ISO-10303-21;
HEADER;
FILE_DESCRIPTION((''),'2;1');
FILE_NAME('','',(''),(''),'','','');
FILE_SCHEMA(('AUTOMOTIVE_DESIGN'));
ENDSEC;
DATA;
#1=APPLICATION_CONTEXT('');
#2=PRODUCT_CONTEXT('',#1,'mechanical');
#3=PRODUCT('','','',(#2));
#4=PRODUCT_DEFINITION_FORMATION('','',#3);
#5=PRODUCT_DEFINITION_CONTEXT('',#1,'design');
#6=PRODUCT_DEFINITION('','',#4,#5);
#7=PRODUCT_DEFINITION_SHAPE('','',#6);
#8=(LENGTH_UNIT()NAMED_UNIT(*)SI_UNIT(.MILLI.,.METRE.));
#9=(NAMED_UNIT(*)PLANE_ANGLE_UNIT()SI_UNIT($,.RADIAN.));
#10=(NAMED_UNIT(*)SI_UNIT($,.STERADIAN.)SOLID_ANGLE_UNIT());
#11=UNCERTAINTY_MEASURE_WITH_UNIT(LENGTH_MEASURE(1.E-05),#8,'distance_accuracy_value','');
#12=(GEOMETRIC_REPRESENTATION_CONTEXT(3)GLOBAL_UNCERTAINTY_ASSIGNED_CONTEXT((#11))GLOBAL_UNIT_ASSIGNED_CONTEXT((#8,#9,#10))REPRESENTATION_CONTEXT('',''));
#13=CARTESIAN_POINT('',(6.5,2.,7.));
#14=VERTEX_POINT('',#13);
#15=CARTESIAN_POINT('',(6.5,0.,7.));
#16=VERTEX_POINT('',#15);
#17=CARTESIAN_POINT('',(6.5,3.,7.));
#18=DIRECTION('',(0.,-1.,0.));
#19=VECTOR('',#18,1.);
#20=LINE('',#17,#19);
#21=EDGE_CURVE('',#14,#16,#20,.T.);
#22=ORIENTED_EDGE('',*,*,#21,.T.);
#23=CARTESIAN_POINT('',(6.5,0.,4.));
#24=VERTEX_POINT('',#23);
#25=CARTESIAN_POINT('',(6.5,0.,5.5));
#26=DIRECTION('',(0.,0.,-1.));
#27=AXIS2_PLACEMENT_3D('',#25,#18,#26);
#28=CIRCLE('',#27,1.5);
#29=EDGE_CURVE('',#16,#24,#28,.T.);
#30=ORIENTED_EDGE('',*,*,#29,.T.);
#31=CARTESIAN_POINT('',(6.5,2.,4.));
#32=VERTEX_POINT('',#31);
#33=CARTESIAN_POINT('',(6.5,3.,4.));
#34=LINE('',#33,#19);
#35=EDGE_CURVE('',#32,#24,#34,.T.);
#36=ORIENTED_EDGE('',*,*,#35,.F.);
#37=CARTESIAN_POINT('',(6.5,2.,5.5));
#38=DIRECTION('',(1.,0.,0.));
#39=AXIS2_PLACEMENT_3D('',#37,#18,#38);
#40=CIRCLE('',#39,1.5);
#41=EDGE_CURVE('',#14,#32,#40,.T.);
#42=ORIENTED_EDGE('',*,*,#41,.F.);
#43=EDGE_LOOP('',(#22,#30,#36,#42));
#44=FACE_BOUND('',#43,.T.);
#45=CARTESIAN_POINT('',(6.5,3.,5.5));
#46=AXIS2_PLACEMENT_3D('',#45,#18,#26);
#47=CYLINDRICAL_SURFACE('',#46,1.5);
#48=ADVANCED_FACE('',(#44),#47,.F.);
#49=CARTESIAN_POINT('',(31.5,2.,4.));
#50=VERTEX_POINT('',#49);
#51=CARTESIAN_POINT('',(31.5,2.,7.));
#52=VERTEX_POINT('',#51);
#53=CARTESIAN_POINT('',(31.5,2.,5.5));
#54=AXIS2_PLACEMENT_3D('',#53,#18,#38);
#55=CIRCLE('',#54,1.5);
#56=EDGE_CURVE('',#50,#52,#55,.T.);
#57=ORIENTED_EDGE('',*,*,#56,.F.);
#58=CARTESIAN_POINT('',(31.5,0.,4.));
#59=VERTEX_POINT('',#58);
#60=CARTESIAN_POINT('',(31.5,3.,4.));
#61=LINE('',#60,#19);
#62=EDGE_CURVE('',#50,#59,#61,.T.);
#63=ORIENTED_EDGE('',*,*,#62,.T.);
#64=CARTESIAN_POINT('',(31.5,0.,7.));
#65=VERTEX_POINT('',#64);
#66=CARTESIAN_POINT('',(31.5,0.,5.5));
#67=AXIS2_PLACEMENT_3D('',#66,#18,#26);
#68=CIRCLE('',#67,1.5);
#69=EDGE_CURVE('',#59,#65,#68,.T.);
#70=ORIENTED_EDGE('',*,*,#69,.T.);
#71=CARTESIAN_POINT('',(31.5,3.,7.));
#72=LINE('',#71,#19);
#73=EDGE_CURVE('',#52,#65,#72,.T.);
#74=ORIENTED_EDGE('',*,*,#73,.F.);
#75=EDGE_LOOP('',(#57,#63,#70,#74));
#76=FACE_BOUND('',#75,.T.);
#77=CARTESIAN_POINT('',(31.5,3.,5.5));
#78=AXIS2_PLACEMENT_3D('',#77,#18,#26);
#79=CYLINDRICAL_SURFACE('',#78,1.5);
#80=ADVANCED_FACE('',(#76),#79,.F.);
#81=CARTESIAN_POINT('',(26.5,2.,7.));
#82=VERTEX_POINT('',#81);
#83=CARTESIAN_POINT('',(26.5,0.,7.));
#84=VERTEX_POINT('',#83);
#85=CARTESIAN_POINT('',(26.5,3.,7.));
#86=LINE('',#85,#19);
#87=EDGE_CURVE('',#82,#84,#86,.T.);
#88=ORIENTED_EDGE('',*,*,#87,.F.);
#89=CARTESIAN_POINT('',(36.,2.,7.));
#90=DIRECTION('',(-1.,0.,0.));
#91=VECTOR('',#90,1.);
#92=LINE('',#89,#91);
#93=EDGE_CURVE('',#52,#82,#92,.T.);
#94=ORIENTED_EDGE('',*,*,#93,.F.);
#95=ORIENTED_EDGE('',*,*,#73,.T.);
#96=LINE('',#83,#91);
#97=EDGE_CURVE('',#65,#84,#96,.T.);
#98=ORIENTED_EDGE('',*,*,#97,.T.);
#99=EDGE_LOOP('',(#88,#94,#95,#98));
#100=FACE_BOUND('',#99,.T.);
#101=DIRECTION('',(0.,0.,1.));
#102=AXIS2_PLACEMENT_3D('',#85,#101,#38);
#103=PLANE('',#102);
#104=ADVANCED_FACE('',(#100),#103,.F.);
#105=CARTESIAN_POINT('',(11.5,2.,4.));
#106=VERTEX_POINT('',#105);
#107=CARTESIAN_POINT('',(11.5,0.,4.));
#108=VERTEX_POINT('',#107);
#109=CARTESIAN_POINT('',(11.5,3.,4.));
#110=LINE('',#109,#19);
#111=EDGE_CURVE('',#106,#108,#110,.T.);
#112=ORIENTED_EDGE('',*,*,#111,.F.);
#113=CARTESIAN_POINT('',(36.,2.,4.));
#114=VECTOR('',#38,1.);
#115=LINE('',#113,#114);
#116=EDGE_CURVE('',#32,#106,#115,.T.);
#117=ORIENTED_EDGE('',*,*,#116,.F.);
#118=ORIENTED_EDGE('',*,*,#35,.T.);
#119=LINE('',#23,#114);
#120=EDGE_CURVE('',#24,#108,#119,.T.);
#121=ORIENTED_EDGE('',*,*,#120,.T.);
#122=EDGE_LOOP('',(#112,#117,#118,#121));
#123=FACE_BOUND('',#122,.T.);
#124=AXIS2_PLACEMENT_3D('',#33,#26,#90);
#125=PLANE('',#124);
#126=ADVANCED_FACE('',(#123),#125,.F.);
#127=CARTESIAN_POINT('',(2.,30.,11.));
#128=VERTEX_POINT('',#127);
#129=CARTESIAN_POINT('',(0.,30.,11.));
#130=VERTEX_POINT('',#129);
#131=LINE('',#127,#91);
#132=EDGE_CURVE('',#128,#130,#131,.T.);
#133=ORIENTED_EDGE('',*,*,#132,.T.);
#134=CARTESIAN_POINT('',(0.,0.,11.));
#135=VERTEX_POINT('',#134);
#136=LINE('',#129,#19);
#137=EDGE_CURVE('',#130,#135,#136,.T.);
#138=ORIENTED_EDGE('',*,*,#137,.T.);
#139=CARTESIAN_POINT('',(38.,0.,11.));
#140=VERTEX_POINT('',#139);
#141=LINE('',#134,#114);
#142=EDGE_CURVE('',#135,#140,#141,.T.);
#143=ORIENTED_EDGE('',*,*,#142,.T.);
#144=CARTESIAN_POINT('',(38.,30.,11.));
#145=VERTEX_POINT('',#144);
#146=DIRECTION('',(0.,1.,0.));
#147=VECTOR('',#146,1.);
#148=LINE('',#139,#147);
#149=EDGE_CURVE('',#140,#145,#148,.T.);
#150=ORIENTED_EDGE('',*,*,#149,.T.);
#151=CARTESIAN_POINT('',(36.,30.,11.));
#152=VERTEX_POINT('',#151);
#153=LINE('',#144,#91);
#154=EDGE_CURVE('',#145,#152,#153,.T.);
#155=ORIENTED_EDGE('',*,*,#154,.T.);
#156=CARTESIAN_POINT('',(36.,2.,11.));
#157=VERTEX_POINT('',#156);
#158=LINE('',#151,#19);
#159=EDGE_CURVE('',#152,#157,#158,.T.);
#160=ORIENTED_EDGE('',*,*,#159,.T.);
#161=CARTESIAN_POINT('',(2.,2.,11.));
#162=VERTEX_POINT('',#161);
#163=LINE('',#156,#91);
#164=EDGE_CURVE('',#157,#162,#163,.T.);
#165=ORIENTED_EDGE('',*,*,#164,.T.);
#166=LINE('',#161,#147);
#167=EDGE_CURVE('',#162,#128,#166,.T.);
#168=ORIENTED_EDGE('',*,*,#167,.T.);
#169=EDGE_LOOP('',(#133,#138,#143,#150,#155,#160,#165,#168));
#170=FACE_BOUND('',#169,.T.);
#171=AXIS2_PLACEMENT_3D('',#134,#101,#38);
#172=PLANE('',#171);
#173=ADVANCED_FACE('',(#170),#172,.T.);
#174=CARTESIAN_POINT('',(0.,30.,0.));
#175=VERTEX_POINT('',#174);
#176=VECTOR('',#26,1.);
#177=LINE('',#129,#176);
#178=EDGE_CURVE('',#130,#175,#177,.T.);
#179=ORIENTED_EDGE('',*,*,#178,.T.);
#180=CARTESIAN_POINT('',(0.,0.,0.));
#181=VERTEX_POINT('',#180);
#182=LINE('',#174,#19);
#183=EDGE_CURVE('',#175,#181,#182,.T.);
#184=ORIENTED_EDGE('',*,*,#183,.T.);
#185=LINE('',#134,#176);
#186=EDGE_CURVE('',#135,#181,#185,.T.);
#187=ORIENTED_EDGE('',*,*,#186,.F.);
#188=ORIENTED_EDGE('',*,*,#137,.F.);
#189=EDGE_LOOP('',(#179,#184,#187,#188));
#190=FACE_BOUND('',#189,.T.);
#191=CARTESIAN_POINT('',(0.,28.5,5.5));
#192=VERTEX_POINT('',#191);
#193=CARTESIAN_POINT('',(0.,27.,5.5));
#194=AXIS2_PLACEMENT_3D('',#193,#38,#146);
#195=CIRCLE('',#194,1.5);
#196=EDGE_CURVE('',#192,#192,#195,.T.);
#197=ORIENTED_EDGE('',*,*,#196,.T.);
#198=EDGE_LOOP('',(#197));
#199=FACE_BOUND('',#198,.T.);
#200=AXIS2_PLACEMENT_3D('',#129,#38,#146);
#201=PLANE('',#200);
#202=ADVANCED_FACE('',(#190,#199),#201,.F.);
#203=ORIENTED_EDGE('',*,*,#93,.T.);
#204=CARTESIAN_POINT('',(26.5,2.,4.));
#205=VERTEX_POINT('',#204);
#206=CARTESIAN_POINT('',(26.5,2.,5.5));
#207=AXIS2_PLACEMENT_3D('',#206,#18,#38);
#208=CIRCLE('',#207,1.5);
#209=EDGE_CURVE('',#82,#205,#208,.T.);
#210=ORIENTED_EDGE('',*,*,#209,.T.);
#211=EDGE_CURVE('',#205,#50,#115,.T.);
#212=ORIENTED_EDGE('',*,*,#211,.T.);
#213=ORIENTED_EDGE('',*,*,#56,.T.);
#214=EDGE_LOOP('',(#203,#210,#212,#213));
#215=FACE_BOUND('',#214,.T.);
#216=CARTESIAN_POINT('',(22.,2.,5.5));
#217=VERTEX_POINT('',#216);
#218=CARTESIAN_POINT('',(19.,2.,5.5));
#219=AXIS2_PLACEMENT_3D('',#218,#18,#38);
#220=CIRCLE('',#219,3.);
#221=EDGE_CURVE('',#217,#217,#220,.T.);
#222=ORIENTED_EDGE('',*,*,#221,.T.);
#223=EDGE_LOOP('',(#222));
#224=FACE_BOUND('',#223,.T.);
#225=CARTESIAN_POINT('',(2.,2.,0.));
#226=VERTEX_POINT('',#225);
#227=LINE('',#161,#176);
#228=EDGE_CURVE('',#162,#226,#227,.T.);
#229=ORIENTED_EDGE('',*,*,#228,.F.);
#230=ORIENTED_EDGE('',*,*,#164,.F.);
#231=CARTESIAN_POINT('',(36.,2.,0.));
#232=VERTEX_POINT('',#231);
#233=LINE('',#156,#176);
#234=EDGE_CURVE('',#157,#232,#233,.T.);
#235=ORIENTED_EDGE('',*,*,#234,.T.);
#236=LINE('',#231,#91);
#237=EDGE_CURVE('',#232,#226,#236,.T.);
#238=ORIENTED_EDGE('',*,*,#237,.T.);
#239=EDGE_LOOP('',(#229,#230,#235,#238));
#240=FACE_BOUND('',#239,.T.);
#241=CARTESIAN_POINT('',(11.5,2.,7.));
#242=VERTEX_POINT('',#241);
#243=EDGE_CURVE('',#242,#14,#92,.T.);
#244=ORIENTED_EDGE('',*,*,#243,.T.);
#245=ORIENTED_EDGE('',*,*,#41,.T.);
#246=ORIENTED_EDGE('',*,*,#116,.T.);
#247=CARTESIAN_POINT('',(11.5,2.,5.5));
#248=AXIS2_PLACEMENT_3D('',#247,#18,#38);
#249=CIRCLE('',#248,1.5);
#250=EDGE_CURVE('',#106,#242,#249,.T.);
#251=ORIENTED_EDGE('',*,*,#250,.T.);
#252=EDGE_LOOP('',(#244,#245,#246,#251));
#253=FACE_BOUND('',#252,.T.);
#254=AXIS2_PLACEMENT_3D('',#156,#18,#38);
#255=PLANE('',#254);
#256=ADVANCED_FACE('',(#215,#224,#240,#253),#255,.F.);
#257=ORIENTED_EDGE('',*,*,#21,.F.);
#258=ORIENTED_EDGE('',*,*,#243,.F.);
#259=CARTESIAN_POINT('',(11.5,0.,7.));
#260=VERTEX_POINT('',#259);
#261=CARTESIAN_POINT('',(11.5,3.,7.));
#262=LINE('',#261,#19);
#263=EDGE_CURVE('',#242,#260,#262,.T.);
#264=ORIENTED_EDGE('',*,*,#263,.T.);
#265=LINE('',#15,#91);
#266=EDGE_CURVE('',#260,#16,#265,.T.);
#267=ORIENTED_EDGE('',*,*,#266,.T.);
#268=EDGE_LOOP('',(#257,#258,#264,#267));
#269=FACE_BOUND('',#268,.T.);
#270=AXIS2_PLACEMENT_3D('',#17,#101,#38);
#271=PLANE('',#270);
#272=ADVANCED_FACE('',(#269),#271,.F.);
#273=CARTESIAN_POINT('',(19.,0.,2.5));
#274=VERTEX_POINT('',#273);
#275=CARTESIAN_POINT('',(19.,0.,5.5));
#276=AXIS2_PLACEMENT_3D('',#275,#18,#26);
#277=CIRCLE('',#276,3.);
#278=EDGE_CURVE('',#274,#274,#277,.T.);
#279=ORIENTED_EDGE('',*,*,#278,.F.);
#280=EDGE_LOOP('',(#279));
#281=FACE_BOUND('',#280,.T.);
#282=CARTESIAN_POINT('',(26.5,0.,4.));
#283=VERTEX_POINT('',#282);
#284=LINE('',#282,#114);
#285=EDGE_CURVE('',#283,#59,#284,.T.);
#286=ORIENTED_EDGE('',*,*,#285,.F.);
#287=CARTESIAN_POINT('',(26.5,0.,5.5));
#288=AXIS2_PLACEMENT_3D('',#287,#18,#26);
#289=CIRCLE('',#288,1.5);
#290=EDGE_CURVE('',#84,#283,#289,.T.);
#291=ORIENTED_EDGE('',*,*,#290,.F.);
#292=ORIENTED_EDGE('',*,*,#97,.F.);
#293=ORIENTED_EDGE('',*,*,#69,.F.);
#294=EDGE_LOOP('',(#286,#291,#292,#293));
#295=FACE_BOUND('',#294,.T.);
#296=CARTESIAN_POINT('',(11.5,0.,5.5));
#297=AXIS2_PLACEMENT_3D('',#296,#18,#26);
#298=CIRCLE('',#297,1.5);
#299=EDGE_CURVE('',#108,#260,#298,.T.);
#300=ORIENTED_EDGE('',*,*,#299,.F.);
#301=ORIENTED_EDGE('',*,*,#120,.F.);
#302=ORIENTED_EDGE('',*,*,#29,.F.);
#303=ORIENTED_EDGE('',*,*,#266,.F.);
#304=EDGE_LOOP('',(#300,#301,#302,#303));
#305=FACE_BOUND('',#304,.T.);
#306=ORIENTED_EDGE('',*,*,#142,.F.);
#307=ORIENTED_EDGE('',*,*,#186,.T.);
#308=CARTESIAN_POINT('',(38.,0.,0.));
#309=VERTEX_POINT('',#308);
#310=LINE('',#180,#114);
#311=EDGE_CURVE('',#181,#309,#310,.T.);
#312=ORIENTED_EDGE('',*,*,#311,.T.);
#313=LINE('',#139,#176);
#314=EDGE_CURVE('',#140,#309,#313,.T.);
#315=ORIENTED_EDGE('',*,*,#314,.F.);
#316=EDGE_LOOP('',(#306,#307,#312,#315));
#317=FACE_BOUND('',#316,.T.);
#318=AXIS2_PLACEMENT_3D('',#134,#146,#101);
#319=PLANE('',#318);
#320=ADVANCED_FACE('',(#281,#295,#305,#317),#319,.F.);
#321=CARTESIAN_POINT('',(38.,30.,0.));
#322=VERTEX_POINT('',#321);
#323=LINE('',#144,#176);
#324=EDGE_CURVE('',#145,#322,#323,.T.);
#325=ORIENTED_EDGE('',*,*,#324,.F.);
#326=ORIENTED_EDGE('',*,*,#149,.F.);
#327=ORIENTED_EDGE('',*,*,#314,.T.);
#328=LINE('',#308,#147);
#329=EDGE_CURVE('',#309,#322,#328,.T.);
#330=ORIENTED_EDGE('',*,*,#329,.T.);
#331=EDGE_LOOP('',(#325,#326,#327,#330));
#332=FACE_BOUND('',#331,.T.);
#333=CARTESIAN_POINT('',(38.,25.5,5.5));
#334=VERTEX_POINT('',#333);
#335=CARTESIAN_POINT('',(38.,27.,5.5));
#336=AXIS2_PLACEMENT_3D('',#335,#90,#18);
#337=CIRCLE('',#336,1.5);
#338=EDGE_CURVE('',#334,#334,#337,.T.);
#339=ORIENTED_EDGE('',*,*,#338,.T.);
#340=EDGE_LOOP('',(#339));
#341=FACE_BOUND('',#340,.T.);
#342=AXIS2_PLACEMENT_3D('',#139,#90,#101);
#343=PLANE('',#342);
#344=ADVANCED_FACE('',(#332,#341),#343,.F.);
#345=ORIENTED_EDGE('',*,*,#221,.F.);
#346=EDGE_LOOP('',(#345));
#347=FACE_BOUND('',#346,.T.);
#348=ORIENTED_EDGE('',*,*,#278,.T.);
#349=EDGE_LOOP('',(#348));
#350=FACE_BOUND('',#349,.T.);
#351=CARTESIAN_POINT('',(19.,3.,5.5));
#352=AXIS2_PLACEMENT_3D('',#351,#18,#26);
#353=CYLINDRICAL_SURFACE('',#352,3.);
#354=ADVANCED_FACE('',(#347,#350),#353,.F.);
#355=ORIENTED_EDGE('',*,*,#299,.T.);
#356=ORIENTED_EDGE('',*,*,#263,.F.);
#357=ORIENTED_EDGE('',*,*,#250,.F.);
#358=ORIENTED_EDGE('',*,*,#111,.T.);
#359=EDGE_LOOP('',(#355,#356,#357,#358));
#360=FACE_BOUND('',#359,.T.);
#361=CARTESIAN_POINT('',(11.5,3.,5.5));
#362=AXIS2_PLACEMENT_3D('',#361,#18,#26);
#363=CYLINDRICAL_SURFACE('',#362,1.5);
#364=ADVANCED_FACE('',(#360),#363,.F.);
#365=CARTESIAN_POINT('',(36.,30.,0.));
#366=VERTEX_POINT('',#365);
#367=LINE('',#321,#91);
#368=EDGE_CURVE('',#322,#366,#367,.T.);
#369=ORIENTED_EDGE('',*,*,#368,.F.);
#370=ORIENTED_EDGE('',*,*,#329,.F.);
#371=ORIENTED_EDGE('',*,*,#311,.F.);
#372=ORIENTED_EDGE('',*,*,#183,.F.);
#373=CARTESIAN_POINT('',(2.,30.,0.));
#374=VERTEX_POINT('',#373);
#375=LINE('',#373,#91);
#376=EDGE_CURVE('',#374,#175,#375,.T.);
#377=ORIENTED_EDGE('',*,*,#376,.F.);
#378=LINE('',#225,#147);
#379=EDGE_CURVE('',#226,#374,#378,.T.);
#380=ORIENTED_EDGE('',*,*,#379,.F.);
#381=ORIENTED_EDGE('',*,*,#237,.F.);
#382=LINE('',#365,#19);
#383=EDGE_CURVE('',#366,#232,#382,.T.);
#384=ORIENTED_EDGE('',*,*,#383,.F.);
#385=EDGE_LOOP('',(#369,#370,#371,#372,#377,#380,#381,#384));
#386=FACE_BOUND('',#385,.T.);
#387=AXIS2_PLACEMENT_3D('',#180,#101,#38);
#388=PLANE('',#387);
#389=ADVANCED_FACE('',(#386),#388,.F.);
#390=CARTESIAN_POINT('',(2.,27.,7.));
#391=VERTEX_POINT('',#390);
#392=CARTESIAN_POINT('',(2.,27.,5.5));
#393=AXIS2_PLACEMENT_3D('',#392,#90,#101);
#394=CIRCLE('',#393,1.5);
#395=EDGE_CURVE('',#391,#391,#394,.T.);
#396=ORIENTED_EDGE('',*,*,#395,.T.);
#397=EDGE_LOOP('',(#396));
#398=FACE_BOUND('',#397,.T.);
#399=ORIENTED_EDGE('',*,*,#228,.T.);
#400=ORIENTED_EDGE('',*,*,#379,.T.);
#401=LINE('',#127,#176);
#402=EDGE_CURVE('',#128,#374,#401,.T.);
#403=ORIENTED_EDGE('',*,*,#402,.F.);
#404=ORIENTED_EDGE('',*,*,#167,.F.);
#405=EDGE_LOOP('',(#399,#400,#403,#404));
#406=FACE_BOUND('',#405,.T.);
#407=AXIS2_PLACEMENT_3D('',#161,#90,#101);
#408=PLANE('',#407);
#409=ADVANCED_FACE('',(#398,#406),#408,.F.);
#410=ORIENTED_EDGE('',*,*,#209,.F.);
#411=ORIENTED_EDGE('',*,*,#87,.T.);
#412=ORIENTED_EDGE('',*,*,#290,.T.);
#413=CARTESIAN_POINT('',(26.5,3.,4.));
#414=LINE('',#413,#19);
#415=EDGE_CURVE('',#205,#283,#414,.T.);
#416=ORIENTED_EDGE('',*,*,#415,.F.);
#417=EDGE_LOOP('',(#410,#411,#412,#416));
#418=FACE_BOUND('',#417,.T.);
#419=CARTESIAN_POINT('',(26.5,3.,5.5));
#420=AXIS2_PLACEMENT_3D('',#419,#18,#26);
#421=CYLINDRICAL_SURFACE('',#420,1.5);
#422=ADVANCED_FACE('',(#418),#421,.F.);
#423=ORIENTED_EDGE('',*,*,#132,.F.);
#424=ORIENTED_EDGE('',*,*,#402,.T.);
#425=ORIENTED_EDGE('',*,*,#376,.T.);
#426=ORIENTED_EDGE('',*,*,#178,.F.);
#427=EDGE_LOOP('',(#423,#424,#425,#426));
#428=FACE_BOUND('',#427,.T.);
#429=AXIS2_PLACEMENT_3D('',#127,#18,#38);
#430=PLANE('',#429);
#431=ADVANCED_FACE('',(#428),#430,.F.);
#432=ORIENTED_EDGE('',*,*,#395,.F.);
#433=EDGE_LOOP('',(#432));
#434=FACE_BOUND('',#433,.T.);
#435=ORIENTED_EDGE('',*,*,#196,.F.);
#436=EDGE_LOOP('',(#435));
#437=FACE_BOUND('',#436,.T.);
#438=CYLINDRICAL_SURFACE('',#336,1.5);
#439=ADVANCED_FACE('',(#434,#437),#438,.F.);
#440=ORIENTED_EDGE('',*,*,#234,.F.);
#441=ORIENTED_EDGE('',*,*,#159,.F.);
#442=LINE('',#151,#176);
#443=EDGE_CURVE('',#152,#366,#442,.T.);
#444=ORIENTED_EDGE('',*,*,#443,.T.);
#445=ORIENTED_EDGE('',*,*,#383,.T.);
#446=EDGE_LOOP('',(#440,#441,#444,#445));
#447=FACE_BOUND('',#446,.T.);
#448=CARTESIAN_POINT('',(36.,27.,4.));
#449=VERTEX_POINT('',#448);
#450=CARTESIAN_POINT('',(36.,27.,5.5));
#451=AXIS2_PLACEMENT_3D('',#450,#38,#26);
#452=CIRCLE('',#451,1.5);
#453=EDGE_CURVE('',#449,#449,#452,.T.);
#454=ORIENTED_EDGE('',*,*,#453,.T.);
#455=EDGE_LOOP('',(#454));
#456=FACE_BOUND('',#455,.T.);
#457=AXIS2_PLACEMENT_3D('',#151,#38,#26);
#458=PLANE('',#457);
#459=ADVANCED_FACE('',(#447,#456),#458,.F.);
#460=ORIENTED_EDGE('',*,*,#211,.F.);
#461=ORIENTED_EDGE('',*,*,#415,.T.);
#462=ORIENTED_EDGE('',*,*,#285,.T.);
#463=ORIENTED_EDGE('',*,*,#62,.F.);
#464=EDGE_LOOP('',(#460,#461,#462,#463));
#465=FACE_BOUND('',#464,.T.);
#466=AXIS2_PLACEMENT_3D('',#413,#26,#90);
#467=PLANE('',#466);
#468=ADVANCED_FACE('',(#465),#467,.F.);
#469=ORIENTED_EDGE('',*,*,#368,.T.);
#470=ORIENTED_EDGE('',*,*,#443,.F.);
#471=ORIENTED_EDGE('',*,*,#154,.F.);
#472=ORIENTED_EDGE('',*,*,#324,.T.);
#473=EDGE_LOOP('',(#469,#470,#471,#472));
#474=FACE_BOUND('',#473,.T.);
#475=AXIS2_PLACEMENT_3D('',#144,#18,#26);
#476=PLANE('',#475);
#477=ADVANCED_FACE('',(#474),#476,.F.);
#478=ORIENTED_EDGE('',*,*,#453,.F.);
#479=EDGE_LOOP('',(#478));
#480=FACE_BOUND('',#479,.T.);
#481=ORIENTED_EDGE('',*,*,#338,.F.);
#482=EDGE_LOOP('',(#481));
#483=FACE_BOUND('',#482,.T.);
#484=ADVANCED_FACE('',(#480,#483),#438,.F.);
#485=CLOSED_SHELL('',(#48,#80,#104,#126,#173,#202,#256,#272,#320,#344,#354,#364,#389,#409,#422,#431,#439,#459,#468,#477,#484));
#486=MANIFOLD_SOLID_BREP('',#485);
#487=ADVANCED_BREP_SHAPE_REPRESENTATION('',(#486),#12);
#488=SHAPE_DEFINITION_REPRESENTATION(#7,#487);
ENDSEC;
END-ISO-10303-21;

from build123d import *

# Parameters (mm, degrees)
EXTRUDE_1_DEPTH          = 11
CUT_EXTRUDE_1_DEPTH      = 50.648766349
CUT_EXTRUDE_1_DEPTH_BACK = 50.648766349
SKETCH_3_R               = 1.5
SKETCH_4_R               = 3
CUT_EXTRUDE_2_DEPTH      = 3


with BuildPart() as part:
    # 草图2 → 凸台-拉伸1 (new body)
    with BuildSketch(Plane.XY):
        Polygon((0, 30), (0, 0), (38, 0), (38, 30), (36, 30), (36, 2), (2, 2), (2, 30), align=None)
    extrude(amount=EXTRUDE_1_DEPTH)

    # 草图3 → 切除-拉伸1 (cut, two sides: drawn at the far end of the back side and taken through both)
    with BuildSketch(Plane.ZY.offset(-CUT_EXTRUDE_1_DEPTH_BACK)):
        with Locations((5.5, 27)):
            Circle(SKETCH_3_R)
    extrude(amount=CUT_EXTRUDE_1_DEPTH + CUT_EXTRUDE_1_DEPTH_BACK, mode=Mode.SUBTRACT)

    # 草图4 → 切除-拉伸2 (cut)
    with BuildSketch(Plane.XZ):
        with Locations(Location((19, 5.5, 0), (0, 0, 270))):
            Circle(SKETCH_4_R)
        with BuildLine():
            Line((26.5, 7), (31.5, 7))
            ThreePointArc((31.5, 7), (33, 5.5), (31.5, 4))
            Line((31.5, 4), (26.5, 4))
            ThreePointArc((26.5, 4), (25, 5.5), (26.5, 7))
        make_face()
        with BuildLine():
            Line((6.5, 7), (11.5, 7))
            ThreePointArc((11.5, 7), (13, 5.5), (11.5, 4))
            Line((11.5, 4), (6.5, 4))
            ThreePointArc((6.5, 4), (5, 5.5), (6.5, 7))
        make_face()
    extrude(amount=-CUT_EXTRUDE_2_DEPTH, mode=Mode.SUBTRACT)


solid = part.part
